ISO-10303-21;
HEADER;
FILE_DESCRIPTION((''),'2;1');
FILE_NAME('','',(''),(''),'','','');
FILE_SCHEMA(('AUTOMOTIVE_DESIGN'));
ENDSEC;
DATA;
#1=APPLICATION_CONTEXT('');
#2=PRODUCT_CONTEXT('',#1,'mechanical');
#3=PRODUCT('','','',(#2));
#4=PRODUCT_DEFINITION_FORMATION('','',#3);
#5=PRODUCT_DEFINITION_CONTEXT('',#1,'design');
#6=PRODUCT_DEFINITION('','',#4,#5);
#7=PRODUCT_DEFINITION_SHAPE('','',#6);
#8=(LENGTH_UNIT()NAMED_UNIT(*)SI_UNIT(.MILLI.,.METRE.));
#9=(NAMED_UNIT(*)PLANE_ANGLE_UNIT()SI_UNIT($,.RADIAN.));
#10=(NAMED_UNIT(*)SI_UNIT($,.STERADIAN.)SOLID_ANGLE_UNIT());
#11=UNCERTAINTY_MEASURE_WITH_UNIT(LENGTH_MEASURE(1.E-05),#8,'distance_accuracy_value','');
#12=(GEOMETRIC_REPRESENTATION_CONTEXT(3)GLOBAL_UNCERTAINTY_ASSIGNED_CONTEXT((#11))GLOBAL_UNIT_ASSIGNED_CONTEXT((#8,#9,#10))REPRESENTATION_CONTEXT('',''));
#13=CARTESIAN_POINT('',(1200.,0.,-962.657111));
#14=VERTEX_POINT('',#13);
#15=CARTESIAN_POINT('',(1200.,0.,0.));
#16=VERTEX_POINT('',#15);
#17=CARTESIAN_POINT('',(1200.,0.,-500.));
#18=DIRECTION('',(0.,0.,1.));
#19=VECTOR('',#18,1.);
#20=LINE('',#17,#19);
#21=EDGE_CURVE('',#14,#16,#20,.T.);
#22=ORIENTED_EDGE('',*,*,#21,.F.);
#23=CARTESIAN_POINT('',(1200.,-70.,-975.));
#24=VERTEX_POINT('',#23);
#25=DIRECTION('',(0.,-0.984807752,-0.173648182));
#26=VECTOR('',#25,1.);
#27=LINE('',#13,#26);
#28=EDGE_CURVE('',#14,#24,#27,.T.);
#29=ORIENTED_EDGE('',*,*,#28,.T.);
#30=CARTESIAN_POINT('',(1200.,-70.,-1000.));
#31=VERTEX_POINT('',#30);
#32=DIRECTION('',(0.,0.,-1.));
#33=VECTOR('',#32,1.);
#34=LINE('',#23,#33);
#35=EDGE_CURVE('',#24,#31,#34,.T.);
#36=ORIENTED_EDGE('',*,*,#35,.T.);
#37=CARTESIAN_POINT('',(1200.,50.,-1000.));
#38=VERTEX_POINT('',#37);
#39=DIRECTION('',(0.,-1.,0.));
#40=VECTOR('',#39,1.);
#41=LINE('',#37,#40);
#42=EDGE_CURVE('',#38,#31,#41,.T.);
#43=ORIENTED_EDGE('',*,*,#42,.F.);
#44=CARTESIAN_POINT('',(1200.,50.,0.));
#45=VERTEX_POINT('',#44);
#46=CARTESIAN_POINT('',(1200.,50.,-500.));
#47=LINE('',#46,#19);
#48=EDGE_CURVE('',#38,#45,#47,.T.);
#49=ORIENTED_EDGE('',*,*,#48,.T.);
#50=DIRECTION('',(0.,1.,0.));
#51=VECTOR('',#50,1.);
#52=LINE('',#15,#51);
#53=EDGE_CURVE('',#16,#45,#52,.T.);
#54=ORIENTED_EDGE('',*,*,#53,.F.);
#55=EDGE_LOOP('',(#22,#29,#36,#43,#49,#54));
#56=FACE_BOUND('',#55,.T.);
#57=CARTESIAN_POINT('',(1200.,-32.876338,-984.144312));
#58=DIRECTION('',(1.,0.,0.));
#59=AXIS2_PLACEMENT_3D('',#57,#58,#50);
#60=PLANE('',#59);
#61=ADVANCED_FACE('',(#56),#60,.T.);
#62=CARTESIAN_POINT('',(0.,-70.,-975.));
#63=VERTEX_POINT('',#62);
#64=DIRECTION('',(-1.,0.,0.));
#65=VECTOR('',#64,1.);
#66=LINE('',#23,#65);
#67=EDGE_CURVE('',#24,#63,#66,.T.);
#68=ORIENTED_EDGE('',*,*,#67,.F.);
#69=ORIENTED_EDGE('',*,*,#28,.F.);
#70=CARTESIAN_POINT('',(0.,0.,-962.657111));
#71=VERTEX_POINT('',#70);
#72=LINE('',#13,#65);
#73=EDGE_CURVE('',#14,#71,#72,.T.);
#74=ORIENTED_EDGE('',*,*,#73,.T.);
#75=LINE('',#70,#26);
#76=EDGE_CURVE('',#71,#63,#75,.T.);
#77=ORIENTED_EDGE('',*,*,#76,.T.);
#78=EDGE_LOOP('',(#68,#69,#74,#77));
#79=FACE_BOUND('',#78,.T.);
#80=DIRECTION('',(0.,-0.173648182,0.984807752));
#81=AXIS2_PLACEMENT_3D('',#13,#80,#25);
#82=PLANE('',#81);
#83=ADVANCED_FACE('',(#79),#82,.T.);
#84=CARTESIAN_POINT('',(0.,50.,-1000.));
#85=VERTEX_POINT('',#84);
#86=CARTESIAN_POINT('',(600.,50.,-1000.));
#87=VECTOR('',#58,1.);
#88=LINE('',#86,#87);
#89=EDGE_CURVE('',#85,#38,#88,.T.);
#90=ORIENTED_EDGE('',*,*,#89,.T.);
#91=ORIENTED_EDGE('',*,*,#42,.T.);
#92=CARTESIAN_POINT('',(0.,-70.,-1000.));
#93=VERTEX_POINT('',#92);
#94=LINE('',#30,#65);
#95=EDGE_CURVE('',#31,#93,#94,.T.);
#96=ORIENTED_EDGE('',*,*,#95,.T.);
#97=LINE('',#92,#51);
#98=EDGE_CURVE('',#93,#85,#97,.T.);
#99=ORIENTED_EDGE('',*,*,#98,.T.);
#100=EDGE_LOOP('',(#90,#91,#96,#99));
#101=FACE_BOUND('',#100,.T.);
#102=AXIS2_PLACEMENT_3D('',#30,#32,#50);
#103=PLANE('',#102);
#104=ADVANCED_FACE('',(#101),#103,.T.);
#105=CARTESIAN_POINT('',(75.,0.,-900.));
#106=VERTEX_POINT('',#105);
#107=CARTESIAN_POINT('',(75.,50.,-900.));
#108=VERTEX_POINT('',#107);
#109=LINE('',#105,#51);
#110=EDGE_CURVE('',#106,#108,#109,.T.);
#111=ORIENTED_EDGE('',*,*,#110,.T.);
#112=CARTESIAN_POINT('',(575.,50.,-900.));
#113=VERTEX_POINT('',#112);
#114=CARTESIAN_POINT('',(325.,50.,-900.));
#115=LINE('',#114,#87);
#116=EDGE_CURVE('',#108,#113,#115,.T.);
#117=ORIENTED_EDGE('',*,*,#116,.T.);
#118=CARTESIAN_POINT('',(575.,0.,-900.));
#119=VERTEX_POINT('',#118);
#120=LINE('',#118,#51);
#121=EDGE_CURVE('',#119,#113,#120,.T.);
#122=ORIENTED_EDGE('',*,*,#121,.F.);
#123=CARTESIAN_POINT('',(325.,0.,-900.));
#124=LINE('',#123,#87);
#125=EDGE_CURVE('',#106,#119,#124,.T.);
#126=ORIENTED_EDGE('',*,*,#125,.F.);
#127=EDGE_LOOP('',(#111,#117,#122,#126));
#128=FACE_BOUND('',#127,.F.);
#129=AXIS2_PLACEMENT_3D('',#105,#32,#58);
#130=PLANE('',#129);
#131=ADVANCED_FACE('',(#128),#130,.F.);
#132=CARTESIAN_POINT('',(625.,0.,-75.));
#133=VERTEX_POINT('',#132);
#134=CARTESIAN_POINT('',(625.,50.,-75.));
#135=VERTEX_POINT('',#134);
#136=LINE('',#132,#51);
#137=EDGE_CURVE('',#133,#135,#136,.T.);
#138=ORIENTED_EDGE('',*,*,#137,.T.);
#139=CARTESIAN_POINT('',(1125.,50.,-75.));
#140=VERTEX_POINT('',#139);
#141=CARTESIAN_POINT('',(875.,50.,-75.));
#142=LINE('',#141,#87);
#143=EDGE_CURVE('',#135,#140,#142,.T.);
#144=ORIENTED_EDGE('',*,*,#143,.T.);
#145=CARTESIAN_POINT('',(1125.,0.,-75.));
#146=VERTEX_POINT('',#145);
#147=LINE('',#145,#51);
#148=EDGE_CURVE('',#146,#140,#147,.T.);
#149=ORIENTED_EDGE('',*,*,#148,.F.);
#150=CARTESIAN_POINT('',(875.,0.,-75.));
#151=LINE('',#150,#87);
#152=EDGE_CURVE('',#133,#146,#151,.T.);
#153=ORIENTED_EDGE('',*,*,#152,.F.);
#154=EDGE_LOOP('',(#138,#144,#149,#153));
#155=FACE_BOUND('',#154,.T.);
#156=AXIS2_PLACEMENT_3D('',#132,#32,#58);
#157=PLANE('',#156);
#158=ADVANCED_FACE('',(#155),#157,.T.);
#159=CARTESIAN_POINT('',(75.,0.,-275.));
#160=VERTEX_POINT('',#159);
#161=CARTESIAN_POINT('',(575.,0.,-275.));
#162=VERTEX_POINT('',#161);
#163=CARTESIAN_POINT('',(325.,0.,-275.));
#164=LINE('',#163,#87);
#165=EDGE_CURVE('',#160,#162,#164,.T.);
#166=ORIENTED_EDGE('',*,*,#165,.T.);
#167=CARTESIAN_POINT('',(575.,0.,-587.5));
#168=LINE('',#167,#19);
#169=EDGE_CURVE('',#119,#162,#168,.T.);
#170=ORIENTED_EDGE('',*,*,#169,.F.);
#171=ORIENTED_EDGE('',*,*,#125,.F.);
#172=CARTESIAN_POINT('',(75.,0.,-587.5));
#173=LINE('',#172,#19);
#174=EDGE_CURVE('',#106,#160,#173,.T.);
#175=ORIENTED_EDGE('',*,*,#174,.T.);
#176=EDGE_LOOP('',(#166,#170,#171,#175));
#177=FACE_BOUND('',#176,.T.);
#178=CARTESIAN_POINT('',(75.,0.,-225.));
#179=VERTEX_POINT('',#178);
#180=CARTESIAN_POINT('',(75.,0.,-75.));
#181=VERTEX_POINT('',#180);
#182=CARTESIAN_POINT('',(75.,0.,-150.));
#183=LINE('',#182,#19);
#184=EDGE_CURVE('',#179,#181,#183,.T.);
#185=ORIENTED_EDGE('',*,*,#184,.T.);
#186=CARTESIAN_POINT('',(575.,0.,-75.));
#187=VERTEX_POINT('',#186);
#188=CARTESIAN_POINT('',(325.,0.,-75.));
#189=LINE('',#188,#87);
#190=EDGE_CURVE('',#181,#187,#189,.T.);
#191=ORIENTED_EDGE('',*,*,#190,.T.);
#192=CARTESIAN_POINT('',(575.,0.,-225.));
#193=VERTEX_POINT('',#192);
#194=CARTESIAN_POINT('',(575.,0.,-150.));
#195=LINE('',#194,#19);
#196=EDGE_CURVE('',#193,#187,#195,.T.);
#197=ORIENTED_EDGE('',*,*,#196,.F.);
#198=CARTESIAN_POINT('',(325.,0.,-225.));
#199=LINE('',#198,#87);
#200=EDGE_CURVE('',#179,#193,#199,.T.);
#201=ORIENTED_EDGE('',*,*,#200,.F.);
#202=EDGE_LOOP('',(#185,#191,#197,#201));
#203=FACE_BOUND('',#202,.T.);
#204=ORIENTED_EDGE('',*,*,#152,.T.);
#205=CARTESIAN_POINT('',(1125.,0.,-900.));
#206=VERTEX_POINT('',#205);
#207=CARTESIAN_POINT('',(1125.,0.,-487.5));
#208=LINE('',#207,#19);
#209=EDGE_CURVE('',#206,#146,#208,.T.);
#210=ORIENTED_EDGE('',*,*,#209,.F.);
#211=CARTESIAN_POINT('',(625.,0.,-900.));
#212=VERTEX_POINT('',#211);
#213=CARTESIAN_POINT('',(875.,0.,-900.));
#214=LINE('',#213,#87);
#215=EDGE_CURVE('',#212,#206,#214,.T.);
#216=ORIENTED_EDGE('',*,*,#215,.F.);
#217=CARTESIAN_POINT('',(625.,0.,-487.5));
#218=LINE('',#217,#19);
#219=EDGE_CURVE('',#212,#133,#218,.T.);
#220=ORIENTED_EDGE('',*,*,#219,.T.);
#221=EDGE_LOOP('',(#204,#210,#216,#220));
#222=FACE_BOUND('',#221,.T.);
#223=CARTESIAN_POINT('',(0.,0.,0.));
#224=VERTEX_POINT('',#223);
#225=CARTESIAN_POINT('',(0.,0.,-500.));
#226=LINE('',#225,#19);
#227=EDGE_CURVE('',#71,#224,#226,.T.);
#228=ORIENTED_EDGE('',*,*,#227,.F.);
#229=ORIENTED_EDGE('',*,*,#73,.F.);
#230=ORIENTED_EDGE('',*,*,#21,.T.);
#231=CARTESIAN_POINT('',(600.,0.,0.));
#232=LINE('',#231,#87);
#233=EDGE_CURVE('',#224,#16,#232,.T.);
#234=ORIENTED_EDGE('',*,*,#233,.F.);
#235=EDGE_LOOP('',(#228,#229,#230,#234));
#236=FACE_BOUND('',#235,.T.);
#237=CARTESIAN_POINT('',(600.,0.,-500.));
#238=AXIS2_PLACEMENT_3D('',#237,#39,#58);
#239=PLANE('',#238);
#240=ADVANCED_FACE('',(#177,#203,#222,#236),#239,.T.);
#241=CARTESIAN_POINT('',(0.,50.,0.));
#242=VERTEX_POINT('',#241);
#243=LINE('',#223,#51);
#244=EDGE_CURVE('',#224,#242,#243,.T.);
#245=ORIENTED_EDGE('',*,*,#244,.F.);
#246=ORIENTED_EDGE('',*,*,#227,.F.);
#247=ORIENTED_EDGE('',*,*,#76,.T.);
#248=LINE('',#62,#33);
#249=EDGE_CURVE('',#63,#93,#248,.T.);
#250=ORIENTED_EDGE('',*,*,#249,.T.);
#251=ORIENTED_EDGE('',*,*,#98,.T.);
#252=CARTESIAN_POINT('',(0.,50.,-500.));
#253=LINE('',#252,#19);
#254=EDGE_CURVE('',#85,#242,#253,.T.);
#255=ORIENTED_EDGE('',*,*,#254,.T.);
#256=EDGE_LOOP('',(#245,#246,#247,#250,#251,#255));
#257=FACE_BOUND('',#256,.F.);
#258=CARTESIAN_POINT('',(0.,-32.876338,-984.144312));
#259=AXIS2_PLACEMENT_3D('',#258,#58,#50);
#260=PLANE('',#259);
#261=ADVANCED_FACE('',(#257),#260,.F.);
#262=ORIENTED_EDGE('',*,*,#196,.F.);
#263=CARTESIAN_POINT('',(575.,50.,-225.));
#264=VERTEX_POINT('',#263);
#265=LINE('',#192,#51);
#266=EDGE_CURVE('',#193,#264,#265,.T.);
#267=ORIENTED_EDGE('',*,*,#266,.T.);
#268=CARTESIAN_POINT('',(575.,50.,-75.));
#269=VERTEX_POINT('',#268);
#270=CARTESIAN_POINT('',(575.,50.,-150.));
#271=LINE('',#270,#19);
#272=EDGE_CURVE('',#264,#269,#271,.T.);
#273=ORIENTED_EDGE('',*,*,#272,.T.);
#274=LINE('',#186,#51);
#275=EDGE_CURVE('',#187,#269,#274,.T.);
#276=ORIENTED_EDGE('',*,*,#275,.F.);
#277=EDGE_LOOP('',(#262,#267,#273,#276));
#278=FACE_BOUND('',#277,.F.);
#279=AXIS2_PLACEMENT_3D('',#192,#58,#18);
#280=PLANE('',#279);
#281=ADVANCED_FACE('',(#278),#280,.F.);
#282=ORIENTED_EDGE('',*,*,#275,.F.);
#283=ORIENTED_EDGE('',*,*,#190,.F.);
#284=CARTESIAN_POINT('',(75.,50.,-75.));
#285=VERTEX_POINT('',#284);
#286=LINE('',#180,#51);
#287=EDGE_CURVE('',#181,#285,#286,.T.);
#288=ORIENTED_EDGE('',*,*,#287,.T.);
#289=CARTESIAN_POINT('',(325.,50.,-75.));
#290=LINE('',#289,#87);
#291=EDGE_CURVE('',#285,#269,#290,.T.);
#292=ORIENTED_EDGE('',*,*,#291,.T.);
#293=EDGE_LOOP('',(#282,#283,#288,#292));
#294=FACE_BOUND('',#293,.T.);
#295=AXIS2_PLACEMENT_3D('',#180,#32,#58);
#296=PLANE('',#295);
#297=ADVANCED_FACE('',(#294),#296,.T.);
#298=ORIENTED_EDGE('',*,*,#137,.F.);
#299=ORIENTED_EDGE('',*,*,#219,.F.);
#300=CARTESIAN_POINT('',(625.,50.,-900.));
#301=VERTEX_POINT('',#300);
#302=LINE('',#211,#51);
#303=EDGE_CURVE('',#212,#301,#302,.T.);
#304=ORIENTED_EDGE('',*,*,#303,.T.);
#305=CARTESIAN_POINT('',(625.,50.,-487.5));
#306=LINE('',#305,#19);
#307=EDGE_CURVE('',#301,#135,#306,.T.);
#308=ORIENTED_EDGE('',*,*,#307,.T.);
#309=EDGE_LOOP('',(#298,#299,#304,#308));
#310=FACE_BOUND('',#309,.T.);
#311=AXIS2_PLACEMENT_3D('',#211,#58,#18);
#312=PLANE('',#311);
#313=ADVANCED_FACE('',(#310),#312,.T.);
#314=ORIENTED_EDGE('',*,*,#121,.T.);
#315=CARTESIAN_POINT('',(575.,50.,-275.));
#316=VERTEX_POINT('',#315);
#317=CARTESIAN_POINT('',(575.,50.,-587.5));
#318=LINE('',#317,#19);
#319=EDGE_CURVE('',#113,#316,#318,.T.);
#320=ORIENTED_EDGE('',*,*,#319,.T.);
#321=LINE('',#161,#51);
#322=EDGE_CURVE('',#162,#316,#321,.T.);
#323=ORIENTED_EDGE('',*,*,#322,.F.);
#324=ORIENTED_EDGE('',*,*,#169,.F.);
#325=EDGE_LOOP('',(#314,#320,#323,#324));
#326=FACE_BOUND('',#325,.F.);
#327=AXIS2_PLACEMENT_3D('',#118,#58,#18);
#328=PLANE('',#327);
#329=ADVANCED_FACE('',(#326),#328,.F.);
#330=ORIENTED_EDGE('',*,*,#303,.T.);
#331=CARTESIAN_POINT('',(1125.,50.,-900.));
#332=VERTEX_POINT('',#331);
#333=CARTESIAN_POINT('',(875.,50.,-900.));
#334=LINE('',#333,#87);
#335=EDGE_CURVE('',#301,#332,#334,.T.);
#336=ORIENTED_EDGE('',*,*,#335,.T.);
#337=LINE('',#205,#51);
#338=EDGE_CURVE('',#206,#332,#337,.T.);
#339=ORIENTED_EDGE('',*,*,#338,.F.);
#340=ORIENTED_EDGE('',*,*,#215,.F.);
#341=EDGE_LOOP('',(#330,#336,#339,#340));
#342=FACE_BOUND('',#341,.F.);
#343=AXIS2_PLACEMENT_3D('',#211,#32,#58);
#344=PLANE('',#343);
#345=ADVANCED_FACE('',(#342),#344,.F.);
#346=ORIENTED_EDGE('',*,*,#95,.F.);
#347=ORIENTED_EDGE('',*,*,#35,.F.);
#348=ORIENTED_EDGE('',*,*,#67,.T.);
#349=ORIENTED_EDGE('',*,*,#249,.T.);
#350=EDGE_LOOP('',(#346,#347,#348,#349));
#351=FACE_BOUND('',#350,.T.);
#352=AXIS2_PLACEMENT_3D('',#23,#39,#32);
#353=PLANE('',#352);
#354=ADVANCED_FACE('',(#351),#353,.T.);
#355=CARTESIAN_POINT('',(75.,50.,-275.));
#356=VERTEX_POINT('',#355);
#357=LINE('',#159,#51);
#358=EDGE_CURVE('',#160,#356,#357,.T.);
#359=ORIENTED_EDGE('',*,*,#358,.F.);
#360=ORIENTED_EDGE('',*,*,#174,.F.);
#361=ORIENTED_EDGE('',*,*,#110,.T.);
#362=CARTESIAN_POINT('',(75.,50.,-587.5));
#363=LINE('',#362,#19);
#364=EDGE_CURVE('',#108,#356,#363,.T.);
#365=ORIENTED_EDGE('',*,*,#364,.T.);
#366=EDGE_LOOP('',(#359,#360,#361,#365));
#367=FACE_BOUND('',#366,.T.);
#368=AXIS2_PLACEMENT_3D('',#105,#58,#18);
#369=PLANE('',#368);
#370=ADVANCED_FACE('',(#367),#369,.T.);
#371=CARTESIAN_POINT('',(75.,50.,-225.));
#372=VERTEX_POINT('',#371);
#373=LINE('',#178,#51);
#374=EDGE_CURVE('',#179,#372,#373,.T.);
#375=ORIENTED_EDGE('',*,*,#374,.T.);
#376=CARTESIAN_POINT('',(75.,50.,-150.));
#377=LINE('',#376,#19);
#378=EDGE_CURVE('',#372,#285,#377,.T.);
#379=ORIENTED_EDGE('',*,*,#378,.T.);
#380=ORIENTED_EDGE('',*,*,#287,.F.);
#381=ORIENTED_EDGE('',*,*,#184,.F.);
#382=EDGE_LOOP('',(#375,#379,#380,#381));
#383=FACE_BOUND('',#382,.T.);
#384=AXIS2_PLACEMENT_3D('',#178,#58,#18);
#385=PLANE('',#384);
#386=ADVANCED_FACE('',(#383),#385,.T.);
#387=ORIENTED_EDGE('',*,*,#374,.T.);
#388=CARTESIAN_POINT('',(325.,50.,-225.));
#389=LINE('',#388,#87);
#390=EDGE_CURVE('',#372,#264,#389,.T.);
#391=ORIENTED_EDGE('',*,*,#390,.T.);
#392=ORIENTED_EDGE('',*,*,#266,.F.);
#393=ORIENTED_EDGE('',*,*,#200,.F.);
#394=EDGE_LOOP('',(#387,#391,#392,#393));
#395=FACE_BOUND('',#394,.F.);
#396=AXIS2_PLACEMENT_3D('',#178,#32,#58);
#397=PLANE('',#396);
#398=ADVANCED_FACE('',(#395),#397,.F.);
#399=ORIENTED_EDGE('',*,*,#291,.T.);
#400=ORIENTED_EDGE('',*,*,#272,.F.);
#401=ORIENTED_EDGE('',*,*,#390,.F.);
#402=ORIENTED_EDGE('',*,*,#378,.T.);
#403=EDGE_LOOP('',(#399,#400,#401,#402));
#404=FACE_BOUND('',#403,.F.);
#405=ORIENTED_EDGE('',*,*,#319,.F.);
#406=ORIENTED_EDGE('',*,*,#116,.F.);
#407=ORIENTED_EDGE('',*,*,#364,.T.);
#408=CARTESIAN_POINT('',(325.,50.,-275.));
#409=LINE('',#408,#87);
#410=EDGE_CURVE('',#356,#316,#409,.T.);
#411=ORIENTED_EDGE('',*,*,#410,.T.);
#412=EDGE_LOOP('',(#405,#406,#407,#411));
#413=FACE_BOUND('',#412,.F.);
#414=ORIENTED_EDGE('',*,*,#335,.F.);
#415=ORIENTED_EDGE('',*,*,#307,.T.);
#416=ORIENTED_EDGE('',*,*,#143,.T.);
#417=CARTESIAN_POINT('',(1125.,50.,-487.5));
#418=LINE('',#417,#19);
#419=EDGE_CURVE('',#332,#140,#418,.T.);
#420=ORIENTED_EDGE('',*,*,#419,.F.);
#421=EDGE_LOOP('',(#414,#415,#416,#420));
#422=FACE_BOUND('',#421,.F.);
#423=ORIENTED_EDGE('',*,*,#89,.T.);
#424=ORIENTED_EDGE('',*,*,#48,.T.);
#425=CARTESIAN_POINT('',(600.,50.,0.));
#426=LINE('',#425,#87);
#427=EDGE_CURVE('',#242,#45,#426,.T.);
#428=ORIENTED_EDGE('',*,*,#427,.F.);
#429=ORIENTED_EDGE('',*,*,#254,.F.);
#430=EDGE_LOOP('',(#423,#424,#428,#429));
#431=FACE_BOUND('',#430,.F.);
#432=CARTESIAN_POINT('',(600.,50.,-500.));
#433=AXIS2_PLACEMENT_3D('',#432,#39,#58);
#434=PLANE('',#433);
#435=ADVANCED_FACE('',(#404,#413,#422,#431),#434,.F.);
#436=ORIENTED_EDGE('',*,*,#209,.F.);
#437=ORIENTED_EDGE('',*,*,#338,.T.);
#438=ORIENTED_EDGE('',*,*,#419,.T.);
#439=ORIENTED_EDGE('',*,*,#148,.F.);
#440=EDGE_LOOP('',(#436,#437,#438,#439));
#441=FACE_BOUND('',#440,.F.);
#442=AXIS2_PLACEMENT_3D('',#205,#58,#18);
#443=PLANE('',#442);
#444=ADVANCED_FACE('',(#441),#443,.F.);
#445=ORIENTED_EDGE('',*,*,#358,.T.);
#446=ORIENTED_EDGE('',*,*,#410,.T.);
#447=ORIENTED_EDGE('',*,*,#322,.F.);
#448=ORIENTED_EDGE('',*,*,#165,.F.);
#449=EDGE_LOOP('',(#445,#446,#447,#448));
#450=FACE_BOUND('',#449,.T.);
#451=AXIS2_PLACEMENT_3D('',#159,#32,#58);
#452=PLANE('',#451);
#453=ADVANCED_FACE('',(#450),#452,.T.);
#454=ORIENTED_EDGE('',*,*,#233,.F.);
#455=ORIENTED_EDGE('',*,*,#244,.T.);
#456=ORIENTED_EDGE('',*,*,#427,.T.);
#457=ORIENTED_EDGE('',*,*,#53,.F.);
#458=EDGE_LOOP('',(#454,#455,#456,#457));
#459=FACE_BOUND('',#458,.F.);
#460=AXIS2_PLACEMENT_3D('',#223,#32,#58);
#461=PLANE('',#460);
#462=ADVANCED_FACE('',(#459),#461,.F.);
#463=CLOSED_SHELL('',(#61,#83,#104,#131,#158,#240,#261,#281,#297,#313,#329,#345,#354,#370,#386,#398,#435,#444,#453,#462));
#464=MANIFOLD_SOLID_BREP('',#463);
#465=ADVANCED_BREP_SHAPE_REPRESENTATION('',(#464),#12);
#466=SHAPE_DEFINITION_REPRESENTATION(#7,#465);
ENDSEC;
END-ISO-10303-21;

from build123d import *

# Parameters (mm, degrees)
F0_W     = 1200
F0_H     = 1000
F0_W_2   = 500
F0_H_2   = 625
F0_H_3   = 150
F0_H_4   = 825
F1_DEPTH = 50
F3_DEPTH = 1200


with BuildPart() as f1:
    # F0 (on Front) → F1 (new body)
    with BuildSketch(Plane.XZ):
        with Locations((600, -500)):
            Rectangle(F0_W, F0_H)
        with Locations((325, -587.5)):
            Rectangle(F0_W_2, F0_H_2, mode=Mode.SUBTRACT)
        with Locations((325, -150)):
            Rectangle(F0_W_2, F0_H_3, mode=Mode.SUBTRACT)
        with Locations((875, -487.5)):
            Rectangle(F0_W_2, F0_H_4, mode=Mode.SUBTRACT)
    extrude(amount=-F1_DEPTH)

    # F2 (on face) → F3 (join)
    with BuildSketch(Plane.YZ.offset(1200)):
        Polygon((-70, -1000), (0, -1000), (0, -962.657111), (-70, -975), align=None)
    extrude(amount=-F3_DEPTH)


solid = f1.part
